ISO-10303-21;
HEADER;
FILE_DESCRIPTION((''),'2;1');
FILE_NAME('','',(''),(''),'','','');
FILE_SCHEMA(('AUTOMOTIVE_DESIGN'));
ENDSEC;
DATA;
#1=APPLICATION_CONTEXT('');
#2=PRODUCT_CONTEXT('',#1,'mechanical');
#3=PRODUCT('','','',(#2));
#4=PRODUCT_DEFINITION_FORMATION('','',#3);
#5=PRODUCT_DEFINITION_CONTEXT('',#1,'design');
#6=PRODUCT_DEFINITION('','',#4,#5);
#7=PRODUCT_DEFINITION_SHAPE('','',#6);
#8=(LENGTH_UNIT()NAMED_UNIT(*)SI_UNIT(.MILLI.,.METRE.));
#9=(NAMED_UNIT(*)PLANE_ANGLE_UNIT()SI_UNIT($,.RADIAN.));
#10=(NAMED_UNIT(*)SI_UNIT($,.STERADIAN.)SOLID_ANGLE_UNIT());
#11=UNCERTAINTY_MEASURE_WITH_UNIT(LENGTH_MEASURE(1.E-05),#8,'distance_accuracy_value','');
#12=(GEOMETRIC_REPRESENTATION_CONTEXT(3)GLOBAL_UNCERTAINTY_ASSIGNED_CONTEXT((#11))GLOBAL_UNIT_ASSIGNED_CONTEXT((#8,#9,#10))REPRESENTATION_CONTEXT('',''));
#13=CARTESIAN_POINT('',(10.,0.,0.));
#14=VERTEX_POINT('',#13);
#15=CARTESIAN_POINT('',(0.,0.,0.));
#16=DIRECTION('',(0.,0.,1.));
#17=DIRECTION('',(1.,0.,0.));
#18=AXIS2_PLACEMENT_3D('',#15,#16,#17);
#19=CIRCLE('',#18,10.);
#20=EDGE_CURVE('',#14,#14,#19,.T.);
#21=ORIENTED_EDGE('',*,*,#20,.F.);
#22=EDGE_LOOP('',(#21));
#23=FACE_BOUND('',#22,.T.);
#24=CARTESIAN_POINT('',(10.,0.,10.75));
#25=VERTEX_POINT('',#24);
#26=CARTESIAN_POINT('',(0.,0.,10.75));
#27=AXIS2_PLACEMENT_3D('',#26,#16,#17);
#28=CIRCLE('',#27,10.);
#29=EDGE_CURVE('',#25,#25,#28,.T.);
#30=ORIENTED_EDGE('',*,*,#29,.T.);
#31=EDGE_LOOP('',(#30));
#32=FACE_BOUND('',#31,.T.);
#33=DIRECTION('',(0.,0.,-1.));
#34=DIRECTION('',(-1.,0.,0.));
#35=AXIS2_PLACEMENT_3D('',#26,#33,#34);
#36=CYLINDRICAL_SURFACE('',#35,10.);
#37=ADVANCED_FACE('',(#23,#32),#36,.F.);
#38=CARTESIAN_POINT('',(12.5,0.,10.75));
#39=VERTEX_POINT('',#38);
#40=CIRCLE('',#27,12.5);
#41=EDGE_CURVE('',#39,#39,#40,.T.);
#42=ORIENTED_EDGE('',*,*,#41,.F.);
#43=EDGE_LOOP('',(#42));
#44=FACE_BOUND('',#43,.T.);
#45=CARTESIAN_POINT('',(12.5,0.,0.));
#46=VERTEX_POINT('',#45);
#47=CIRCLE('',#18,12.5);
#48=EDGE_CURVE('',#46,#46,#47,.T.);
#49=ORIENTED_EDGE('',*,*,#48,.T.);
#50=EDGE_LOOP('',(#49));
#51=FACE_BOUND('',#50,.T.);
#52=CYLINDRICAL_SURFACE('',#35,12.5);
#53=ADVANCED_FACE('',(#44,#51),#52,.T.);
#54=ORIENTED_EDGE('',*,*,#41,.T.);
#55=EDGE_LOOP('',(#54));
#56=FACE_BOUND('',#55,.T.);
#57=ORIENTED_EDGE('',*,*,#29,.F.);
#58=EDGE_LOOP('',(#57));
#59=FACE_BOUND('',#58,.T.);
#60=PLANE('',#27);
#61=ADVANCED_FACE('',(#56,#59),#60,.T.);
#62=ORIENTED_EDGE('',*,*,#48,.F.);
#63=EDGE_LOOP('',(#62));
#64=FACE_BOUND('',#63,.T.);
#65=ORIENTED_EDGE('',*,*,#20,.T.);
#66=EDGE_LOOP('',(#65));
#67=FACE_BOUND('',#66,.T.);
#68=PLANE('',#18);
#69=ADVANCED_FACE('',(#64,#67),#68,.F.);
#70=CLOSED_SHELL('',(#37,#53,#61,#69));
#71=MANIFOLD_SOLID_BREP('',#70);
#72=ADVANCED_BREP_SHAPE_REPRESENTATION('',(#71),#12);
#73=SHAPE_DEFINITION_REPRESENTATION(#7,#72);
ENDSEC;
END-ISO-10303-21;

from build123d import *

# Parameters (mm, degrees)
ESQUISSE1_R        = 12.5
ESQUISSE1_R_2      = 10
BOSS_EXTRU_1_DEPTH = 10.75


with BuildPart() as part:
    # Esquisse1 → Boss.-Extru.1 (new body)
    with BuildSketch(Plane.XY):
        Circle(ESQUISSE1_R)
        Circle(ESQUISSE1_R_2, mode=Mode.SUBTRACT)
    extrude(amount=BOSS_EXTRU_1_DEPTH)


solid = part.part
